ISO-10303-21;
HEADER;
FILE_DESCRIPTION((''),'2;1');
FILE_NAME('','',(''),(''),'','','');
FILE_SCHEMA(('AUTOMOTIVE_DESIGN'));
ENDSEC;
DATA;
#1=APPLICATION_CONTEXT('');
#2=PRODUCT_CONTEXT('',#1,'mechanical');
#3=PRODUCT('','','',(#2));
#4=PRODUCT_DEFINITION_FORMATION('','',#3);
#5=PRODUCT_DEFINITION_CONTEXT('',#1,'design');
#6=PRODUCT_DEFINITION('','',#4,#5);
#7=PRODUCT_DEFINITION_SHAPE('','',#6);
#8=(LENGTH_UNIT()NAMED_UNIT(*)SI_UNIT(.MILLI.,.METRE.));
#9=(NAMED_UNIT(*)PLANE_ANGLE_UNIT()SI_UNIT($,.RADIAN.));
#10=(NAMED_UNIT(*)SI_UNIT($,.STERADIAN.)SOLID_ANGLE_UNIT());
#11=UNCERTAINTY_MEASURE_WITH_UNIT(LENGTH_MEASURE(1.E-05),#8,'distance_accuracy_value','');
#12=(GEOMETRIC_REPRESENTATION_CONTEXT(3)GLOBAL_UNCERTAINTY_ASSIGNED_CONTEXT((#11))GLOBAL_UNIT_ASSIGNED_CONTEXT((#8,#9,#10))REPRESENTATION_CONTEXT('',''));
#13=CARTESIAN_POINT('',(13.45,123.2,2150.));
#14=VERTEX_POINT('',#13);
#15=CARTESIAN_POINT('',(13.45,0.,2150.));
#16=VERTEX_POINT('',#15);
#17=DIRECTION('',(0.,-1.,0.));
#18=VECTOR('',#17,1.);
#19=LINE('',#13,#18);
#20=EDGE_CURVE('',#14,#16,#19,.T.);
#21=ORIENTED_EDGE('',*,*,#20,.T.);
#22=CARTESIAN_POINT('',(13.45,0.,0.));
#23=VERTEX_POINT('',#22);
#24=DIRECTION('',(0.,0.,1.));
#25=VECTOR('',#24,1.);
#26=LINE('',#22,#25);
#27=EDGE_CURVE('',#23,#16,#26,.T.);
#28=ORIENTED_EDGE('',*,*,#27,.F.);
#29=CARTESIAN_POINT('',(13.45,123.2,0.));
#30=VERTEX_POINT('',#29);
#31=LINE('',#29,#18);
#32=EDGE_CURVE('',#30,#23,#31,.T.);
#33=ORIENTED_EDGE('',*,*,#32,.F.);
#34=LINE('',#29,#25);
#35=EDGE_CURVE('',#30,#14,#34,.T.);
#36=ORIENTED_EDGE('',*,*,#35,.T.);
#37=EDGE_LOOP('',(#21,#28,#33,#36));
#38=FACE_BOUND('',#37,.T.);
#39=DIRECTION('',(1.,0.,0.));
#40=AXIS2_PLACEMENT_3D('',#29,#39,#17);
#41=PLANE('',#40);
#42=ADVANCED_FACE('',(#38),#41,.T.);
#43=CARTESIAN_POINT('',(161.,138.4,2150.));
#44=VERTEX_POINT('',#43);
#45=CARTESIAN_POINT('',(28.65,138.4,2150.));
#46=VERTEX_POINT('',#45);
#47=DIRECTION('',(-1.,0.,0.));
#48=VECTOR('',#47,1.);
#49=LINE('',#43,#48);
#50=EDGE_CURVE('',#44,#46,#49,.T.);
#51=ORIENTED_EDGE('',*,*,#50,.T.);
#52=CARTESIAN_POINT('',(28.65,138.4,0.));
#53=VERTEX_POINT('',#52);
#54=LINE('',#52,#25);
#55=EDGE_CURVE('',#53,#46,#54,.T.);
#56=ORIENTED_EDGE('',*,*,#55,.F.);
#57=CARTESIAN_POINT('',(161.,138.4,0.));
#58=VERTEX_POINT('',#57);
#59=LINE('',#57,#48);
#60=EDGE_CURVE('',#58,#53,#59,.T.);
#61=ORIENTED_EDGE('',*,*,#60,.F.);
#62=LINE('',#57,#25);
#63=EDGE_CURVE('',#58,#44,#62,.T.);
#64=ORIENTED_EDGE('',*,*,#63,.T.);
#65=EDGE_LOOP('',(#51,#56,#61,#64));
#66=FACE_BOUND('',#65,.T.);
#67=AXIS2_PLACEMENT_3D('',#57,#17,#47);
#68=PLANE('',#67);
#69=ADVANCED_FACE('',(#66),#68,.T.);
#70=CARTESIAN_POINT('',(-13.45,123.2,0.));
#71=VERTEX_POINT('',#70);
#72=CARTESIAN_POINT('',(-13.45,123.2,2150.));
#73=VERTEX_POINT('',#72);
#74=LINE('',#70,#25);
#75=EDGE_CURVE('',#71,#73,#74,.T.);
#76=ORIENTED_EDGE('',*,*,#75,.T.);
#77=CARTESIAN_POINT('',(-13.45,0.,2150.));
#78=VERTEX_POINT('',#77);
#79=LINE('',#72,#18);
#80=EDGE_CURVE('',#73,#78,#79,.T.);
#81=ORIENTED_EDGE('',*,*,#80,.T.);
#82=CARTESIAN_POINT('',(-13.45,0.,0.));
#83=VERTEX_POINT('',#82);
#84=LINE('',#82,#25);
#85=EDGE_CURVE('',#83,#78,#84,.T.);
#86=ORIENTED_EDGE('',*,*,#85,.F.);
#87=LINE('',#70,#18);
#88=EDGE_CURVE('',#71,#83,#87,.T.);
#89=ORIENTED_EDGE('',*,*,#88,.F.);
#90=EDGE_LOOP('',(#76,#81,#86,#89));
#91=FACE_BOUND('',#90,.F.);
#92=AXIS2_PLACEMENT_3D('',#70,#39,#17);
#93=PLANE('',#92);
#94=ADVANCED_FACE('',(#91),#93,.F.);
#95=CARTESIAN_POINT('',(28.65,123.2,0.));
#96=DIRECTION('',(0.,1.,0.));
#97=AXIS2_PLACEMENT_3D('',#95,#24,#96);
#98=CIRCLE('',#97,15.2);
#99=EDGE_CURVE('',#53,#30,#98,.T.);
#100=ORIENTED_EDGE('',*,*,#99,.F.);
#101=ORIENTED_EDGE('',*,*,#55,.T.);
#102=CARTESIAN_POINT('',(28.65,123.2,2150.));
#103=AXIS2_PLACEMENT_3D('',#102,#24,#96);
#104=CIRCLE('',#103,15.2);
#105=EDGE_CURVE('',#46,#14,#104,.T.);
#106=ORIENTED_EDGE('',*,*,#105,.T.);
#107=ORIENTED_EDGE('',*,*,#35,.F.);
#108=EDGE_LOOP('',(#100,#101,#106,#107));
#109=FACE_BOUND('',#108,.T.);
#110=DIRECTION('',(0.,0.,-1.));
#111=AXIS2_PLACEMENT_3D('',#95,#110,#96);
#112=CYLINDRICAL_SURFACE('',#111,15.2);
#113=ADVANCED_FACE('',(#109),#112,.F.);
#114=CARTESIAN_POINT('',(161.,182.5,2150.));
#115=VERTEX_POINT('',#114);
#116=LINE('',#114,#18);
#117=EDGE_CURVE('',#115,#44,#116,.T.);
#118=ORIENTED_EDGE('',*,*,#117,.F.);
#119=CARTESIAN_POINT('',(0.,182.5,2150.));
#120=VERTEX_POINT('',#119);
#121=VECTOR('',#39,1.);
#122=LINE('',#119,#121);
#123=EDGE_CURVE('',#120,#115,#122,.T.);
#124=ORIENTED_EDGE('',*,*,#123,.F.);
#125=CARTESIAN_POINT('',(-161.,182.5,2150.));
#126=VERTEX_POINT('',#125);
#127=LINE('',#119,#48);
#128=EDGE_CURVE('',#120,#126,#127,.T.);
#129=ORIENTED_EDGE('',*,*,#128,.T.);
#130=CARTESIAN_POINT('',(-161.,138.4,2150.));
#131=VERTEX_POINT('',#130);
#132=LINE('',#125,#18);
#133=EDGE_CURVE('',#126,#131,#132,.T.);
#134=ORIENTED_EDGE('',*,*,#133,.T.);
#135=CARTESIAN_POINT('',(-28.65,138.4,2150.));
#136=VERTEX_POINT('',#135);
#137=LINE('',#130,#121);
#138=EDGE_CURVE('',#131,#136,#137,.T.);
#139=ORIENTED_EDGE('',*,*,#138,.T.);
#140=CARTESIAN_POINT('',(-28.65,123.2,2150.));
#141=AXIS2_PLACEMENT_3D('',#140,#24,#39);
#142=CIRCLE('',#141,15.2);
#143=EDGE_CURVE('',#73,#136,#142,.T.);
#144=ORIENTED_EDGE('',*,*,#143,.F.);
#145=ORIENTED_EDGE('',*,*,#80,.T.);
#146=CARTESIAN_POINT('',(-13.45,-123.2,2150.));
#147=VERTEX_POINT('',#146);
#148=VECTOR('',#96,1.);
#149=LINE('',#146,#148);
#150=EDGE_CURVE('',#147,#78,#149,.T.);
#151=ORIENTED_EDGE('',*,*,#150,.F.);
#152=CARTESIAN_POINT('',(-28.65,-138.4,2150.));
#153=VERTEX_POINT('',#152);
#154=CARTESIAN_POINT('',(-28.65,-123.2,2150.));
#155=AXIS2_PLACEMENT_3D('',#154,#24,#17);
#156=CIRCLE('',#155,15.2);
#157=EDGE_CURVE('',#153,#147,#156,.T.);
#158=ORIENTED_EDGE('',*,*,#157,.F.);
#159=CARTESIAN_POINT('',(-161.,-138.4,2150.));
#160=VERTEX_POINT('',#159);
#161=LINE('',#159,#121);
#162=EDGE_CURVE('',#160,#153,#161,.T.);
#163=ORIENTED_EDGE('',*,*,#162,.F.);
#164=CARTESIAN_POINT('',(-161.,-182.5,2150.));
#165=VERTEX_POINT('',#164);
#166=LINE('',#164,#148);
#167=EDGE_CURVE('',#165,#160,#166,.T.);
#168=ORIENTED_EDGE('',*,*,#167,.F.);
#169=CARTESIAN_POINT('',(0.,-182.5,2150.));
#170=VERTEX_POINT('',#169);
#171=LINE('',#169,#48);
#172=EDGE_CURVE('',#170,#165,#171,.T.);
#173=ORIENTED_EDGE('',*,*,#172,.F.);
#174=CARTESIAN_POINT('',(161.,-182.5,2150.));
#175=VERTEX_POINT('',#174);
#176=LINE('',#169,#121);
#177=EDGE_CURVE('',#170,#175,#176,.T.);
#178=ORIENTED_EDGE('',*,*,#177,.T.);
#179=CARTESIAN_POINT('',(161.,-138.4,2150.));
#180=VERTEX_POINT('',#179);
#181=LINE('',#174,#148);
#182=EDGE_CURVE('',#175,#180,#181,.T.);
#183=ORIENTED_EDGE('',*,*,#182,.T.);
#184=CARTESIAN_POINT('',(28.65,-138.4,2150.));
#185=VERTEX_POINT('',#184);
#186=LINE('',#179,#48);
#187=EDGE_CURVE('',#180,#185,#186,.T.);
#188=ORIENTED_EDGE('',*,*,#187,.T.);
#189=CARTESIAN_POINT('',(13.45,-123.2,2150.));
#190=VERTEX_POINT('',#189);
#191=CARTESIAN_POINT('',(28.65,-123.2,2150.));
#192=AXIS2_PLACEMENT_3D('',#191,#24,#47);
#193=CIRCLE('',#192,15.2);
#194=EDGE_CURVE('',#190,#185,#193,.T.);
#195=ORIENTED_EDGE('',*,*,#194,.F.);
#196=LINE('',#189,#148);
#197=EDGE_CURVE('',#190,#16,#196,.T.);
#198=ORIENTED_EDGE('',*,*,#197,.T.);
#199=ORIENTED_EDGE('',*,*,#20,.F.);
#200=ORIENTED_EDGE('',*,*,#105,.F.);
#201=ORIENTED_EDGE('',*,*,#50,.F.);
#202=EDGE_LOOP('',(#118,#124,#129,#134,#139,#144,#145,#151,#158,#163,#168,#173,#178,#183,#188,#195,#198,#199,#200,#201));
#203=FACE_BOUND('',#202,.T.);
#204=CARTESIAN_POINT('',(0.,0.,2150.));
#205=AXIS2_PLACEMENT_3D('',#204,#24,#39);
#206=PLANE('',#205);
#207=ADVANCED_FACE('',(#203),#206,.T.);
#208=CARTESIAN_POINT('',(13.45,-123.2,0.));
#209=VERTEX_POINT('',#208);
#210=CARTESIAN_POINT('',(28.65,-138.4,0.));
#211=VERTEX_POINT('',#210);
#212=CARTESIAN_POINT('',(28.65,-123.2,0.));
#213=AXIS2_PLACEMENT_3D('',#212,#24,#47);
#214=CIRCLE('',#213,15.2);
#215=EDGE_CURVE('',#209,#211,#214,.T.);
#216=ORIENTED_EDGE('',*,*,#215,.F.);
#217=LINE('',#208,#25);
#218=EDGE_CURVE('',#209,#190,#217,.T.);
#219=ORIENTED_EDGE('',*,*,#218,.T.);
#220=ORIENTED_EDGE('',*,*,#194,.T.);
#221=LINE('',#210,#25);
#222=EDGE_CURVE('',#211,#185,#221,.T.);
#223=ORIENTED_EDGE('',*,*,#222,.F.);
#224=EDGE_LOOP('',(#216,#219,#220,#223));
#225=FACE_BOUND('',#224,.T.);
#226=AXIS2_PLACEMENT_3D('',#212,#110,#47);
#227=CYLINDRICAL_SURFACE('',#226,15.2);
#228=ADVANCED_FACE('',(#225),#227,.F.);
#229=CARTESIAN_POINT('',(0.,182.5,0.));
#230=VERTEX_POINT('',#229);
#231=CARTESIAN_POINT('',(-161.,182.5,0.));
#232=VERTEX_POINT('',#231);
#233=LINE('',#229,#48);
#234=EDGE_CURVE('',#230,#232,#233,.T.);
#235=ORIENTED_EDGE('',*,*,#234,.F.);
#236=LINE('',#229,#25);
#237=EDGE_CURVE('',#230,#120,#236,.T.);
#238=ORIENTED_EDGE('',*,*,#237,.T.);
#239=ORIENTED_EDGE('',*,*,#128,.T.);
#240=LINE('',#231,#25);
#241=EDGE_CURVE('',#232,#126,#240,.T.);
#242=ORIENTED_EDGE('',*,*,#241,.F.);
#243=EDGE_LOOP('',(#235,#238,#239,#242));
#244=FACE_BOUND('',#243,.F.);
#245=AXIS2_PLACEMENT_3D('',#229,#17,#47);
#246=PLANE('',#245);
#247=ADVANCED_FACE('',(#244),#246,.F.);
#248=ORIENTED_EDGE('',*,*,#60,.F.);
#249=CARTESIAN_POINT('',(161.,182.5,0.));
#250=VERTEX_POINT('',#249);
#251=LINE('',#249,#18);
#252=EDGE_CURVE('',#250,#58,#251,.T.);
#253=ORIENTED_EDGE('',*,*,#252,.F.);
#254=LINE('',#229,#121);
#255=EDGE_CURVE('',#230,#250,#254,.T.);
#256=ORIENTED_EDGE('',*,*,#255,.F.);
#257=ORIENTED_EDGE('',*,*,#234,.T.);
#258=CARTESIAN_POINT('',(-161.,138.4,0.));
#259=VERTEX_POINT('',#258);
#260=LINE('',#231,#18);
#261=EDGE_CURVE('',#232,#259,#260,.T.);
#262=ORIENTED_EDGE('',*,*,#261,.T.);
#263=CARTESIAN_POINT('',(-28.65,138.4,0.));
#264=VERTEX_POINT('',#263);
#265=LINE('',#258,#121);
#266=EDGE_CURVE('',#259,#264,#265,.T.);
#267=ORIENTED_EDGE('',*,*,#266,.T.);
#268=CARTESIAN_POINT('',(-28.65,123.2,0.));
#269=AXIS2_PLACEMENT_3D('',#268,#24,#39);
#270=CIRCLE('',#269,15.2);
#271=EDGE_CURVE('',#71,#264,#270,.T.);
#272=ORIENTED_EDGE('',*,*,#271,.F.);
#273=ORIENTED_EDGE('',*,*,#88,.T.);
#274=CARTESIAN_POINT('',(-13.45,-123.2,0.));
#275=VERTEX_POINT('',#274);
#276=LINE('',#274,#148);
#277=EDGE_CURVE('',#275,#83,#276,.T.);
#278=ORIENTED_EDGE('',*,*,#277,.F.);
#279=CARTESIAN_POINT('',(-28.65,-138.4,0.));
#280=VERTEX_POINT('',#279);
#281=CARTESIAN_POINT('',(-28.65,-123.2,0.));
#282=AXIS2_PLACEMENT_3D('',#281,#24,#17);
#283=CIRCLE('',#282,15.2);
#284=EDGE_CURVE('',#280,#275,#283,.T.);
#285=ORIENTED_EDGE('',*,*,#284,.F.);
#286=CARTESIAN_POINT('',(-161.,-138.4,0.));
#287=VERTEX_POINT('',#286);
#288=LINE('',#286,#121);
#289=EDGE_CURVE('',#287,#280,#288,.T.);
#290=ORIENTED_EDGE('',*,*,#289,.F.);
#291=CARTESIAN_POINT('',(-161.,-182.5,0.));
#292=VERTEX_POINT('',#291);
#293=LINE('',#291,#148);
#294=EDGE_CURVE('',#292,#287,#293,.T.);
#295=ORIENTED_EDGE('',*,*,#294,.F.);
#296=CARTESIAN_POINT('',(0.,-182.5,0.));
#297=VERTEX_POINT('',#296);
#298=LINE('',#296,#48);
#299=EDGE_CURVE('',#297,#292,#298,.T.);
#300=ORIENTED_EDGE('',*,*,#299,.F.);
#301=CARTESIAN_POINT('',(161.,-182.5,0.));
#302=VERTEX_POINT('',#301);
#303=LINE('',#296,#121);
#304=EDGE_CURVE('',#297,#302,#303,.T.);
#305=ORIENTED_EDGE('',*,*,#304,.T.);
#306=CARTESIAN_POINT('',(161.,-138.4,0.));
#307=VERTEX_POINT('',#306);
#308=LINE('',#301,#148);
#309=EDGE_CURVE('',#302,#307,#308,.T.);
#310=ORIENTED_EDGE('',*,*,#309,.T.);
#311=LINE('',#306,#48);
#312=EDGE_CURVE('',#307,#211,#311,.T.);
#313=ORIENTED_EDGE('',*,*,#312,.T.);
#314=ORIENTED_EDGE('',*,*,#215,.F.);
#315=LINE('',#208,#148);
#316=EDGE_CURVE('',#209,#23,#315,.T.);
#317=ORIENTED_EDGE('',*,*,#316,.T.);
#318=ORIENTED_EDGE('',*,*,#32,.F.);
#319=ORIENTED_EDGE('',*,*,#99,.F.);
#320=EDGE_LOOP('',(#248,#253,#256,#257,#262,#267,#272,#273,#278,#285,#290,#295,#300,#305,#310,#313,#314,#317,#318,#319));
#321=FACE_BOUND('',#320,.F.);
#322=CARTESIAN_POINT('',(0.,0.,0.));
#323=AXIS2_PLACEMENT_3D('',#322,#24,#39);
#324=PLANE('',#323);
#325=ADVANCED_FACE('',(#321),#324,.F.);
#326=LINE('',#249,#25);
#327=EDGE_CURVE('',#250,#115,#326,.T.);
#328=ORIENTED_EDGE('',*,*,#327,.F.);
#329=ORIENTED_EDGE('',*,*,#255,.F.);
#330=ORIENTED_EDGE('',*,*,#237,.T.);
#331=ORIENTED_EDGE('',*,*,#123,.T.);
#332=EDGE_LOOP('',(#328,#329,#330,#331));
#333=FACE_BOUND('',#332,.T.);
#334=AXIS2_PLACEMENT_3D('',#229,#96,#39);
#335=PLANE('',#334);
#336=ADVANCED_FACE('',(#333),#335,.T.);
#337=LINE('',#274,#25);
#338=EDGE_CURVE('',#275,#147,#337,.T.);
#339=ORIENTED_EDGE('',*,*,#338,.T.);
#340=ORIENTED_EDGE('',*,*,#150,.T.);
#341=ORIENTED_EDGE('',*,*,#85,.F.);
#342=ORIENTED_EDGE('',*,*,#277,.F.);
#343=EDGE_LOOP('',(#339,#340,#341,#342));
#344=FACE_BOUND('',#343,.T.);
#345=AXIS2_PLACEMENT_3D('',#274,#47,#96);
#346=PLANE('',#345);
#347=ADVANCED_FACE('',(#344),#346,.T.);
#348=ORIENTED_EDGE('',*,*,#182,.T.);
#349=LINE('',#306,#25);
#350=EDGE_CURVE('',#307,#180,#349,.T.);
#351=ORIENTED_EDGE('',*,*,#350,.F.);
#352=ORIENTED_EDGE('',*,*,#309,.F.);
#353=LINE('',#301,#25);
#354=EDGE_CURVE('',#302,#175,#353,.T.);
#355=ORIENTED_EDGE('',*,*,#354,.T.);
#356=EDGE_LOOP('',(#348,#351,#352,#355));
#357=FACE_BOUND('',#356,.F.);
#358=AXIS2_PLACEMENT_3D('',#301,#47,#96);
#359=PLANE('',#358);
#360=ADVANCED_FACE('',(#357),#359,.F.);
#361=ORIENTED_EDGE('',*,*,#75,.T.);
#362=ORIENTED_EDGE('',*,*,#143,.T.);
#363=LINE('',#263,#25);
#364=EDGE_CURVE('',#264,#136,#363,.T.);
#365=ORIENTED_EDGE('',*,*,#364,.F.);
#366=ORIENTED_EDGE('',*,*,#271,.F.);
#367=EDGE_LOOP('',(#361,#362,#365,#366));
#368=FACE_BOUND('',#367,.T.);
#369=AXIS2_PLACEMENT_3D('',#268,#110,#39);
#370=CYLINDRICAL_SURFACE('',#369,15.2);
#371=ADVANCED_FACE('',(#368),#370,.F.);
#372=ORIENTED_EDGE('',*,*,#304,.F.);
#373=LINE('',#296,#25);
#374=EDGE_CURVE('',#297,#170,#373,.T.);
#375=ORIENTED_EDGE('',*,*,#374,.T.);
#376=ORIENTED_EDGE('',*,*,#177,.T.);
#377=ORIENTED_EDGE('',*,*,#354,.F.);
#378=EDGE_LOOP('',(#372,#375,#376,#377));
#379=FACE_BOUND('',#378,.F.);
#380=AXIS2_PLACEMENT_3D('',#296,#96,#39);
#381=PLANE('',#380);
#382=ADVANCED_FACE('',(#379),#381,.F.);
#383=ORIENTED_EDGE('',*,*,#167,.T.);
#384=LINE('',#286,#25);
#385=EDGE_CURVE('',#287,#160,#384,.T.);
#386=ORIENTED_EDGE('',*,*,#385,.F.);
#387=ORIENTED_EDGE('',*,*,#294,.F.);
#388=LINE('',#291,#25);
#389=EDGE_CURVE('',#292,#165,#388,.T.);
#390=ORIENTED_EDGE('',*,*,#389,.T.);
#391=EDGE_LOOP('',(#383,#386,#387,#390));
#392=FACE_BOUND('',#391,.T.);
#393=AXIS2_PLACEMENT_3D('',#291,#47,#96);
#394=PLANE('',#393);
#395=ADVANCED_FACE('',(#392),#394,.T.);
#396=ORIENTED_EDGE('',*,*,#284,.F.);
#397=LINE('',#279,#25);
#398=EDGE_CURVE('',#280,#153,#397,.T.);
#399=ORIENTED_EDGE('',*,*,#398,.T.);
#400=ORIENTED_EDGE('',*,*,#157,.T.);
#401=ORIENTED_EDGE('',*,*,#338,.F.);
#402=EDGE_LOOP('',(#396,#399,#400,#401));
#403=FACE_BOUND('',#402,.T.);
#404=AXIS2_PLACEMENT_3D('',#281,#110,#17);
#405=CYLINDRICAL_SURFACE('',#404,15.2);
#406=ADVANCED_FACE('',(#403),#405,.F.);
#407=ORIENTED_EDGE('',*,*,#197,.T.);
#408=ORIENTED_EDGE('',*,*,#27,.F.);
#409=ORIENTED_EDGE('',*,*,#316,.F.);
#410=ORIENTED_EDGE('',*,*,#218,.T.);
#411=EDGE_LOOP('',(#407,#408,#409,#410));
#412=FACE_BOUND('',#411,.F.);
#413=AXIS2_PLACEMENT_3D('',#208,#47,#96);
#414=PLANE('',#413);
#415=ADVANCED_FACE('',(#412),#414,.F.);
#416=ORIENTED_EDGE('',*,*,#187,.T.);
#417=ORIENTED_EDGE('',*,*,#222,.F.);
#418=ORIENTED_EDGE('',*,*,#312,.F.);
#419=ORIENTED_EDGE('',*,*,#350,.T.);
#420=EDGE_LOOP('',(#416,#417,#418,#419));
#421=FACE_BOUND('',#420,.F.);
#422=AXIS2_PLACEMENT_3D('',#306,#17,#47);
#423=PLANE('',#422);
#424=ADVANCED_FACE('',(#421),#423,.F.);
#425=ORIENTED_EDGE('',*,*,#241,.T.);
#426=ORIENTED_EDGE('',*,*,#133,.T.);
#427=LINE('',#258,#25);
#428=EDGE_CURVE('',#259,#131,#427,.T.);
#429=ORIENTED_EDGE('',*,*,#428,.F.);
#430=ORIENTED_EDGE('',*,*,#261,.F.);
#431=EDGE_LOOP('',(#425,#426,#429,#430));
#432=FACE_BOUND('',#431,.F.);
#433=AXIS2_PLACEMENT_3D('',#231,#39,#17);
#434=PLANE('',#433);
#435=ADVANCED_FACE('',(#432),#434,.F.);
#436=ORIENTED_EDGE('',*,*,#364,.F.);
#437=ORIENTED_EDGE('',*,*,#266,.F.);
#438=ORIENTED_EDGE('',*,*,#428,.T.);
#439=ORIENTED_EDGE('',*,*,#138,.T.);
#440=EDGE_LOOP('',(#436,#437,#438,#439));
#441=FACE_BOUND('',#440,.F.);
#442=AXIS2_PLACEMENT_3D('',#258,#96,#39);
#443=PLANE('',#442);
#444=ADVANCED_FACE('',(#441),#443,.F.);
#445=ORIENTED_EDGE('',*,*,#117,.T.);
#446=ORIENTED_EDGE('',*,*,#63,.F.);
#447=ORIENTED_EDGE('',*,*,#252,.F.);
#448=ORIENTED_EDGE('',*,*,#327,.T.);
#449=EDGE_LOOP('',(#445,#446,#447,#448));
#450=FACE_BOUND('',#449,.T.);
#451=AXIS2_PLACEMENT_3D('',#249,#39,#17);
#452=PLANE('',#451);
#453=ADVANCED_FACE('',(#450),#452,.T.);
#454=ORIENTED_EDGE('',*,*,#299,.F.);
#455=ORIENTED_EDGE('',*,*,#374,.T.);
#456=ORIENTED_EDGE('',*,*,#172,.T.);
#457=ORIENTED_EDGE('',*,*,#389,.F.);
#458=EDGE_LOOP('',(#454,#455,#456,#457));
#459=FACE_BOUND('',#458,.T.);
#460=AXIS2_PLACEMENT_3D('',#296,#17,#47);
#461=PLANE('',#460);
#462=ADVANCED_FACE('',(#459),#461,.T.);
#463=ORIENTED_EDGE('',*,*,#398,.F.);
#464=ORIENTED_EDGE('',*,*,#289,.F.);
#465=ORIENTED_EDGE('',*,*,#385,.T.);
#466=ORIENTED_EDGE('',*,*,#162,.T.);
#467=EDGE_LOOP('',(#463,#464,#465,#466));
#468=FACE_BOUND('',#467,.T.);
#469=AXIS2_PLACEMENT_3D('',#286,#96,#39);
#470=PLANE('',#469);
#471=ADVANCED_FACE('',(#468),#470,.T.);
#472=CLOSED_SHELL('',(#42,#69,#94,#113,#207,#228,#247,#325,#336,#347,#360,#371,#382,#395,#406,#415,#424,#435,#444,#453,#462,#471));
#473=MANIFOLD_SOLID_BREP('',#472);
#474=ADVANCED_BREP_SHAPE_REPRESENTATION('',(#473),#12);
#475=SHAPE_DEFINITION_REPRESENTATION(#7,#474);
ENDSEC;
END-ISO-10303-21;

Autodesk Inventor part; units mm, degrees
ref_plane "YZ Plane" through (0, 0, 0) normal (1, 0, 0) x (0, 1, 0)
ref_plane "Start plane" through (0, 0, 0) normal (0, 0, 1) x (1, 0, 0)
ref_plane "End plane" through (0, 0, 2150) normal (0, 0, 1) x (1, 0, 0)
sketch "Sketch" plane through (0, 0, 0) normal (0, 0, 1) x (1, 0, 0)
  line L0 (-161, -182.5) -> (-161, -138.4)
  line L1 (-161, -138.4) -> (-28.65, -138.4)
  line L2 (-13.45, -123.2) -> (-13.45, 0)
  line L3 (-13.45, 0) -> (0, 0) construction
  line L4 (0, 0) -> (0, -182.5) construction
  line L5 (0, -182.5) -> (-161, -182.5)
  line L6 (-60, 0) -> (80, 0) construction
  line L7 (0, -60) -> (0, 80) construction
  line L8 (161, -182.5) -> (161, -138.4)
  line L9 (161, -138.4) -> (28.65, -138.4)
  line L10 (13.45, -123.2) -> (13.45, 0)
  line L11 (13.45, 0) -> (0, 0) construction
  line L12 (0, -182.5) -> (161, -182.5)
  line L13 (-161, 182.5) -> (-161, 138.4)
  line L14 (-161, 138.4) -> (-28.65, 138.4)
  line L15 (-13.45, 123.2) -> (-13.45, 0)
  line L16 (0, 182.5) -> (-161, 182.5)
  line L17 (161, 182.5) -> (161, 138.4)
  line L18 (161, 138.4) -> (28.65, 138.4)
  line L19 (0, 182.5) -> (161, 182.5)
  line L20 (13.45, 123.2) -> (13.45, 0)
  arc A0 (-13.45, 123.2) -> (-28.65, 138.4) centre (-28.65, 123.2) ccw
  arc A1 (28.65, 138.4) -> (13.45, 123.2) centre (28.65, 123.2) ccw
  arc A2 (13.45, -123.2) -> (28.65, -138.4) centre (28.65, -123.2) ccw
  arc A3 (-28.65, -138.4) -> (-13.45, -123.2) centre (-28.65, -123.2) ccw
  line L21 (0, 108) -> (0, -88) construction
  line L22 (-88, 0) -> (108, 0) construction
  point P0 (-13.45, -138.4)
  point P1 (13.45, -138.4)
  point P2 (-13.45, 138.4)
  point P3 (13.45, 138.4)
  dimension "d1" = 182.5
  dimension "d2" = 44.1
  dimension "d3" = 161
  dimension "d4" = 13.45
  dimension "d10" = 15.2
extrude "Body" add sketch "Sketch" along normal up to surface (2150 mm away) from surface at 0
sketch "Sketch4" plane through (0, 0, 0) normal (0, 0, 1) x (1, 0, 0)
  line L0 (0, 0) -> (10, 0)
ref_plane "Work Plane3" through (0, 0, 0) normal (0, -1, 0) x (1, 0, 0)
sketch "Sketch5" plane through (0, 0, 0) normal (0, -1, 0) x (1, 0, 0)
  line L0 (-2, 0) -> (12, 0) projected
  line L1 (-2, 2150) -> (12, 2150) projected
  dimension "d14" = 2150
equation "\"d1\" = 0.5 * G_H"
equation "\"d2\" = G_T1"
equation "\"d3\" = 0.5 * G_W"
equation "\"d4\" = 0.5 * G_T"
equation "\"d10\" = G_IR"
equation "\"d5\" = G_L"
equation "\"G_W\" = 322"
equation "\"G_H\" = 365"
equation "\"G_T\" = 26.9"
equation "\"G_T1\" = 44.1"
equation "\"G_IR\" = 15.2"
equation "\"G_L\" = d14"
equation "\"G_OFFSET_START\" = 0"
equation "\"G_OFFSET_END\" = 0"
properties part number "AS 3679 - 310 UC - 283 - 2150" material "Steel, Mild"
